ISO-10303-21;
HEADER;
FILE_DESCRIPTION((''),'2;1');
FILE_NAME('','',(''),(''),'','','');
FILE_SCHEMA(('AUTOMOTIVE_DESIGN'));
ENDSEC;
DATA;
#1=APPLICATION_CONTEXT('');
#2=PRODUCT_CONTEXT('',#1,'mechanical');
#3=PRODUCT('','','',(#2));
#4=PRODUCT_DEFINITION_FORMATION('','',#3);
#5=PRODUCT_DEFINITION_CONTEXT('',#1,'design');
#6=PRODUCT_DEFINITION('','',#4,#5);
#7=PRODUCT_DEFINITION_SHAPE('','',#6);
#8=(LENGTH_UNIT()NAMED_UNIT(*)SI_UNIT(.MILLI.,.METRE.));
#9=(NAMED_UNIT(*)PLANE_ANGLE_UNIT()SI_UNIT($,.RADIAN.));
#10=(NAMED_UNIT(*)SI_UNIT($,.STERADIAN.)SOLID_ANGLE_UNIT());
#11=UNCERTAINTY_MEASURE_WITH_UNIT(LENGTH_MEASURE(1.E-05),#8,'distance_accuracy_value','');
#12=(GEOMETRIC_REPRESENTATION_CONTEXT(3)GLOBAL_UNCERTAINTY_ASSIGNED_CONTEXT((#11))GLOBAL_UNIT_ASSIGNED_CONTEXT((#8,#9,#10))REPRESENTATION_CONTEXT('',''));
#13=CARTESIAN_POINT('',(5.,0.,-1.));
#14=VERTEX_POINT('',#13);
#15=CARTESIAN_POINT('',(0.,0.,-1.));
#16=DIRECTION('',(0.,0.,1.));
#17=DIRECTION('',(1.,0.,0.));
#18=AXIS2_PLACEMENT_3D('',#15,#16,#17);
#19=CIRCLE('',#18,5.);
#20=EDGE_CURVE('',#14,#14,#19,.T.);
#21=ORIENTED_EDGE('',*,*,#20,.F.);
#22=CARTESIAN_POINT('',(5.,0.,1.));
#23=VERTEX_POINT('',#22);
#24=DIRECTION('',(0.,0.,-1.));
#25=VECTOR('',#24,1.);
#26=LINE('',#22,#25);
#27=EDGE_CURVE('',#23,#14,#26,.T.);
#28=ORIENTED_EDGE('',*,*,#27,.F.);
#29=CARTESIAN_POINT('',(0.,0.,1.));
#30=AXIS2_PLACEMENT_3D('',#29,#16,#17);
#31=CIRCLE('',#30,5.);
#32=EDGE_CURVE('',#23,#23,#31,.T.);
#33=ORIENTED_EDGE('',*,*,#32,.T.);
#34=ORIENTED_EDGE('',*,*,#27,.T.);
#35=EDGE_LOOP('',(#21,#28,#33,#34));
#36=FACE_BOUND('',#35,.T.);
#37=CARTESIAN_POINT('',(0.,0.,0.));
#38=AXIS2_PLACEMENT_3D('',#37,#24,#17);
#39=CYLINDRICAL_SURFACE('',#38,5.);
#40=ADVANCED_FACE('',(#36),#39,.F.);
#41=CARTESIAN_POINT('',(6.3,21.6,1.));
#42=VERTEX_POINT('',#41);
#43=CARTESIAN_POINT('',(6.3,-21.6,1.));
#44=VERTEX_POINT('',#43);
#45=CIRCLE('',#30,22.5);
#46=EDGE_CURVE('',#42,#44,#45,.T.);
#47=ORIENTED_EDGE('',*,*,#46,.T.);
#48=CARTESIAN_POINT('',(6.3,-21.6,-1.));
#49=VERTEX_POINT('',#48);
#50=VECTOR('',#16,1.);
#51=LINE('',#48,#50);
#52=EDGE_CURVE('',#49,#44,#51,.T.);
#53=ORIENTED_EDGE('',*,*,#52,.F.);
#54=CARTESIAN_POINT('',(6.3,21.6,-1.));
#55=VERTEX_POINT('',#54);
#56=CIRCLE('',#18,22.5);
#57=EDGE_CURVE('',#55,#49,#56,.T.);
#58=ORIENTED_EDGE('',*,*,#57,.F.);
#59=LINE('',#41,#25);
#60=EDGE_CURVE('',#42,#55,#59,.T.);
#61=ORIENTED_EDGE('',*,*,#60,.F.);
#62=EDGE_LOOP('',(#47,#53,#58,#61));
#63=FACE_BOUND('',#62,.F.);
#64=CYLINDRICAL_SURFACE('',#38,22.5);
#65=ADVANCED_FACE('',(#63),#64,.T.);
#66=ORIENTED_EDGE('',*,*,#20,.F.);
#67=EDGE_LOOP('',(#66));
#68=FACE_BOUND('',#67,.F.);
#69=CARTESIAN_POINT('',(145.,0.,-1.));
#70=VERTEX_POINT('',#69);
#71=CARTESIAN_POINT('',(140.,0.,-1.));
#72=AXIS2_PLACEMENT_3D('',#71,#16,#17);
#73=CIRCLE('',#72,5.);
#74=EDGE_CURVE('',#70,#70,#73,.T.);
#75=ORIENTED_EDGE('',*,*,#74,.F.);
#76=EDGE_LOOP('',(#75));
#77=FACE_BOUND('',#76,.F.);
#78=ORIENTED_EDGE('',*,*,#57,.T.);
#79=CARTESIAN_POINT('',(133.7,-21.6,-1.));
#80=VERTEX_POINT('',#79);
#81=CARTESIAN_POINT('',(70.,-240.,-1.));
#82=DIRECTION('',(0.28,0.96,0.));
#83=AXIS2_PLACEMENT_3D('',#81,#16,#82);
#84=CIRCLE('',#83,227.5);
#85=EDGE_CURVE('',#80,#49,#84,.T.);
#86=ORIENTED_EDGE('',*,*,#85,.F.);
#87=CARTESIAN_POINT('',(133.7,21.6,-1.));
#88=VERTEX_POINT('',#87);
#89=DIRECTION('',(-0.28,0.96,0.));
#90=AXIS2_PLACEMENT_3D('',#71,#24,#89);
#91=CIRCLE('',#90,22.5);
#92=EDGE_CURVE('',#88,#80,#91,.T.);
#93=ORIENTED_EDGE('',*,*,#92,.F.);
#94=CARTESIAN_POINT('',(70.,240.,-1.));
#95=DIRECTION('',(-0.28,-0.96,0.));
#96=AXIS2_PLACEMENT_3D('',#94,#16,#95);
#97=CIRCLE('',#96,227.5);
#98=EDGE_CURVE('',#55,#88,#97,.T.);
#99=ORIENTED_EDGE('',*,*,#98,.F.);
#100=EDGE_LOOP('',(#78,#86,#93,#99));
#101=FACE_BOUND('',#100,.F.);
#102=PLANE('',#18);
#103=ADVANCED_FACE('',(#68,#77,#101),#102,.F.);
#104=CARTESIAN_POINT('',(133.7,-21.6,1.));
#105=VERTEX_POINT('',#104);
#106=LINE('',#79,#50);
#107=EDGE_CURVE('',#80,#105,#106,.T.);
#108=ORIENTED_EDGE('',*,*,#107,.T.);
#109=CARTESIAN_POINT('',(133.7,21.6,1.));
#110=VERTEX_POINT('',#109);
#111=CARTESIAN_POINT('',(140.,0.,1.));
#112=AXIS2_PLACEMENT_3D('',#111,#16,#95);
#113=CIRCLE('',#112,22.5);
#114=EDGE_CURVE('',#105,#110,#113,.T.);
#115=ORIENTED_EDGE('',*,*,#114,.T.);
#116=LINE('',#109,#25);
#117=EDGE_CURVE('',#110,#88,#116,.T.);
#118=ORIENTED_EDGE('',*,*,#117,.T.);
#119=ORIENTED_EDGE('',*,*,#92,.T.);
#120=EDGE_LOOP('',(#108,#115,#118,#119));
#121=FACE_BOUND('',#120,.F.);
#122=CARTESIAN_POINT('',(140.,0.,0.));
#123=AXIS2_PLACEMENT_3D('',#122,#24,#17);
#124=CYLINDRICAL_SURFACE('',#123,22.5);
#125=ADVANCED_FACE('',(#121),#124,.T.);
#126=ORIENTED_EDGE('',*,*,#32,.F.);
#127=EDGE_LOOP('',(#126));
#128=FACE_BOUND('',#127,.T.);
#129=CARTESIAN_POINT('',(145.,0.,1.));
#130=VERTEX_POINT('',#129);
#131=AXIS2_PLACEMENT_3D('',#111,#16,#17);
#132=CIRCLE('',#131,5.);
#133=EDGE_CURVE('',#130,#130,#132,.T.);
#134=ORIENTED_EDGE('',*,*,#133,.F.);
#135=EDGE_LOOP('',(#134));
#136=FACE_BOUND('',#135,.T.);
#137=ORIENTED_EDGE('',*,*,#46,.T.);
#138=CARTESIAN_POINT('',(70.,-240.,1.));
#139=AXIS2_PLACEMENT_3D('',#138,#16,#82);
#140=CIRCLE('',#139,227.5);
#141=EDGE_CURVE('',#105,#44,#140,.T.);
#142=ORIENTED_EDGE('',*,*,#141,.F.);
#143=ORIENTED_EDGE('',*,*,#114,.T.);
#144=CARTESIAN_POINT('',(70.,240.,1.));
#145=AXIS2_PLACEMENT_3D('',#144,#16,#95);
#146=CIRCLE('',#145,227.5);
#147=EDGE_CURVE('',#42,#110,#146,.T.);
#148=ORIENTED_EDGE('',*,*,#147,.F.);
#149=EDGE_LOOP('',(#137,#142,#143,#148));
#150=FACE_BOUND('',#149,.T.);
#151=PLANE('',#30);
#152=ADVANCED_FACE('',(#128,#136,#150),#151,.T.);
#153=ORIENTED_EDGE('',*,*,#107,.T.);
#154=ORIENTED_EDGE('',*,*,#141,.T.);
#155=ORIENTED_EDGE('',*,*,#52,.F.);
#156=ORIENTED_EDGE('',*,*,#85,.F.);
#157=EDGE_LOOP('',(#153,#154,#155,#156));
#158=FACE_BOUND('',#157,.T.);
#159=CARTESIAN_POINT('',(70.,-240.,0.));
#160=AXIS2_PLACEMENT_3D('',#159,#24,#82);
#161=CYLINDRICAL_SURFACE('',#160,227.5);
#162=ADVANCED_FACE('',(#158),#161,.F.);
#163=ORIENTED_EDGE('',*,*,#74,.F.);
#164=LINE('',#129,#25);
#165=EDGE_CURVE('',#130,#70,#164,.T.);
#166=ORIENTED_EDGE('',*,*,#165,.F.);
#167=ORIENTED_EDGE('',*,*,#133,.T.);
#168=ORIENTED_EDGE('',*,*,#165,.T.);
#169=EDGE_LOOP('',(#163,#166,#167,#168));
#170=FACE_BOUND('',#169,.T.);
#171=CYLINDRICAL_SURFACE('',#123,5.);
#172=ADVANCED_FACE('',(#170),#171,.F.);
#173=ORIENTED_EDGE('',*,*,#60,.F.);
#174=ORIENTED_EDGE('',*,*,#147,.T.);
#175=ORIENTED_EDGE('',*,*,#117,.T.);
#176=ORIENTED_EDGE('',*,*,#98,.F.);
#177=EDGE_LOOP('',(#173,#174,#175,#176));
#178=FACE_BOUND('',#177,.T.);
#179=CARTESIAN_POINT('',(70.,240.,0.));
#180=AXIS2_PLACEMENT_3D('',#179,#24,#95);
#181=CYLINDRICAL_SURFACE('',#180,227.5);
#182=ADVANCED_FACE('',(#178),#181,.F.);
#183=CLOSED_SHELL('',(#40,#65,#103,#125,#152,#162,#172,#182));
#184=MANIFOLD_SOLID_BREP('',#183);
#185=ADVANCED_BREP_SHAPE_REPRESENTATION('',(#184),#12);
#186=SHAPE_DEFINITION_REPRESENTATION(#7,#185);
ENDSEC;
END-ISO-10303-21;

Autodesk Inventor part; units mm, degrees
ref_plane "YZ Plane" through (0, 0, 0) normal (1, 0, 0) x (0, 1, 0)
ref_plane "XZ Plane" through (0, 0, 0) normal (0, 1, 0) x (-1, 0, 0)
ref_plane "XY Plane" through (0, 0, 0) normal (0, 0, 1) x (1, 0, 0)
sketch "Sketch1" plane through (0, 0, 0) normal (0, 0, 1) x (1, 0, 0)
  circle A0 centre (0, 0) radius 22.5
  circle A1 centre (140, 0) radius 22.5
  arc A2 (6.3, 21.6) -> (133.7, 21.6) centre (70, 240) ccw
  line L0 (162.5, 0) -> (-22.5, 0) construction
  arc A3 (133.7, -21.6) -> (6.3, -21.6) centre (70, -240) ccw
  circle A4 centre (0, 0) radius 5
  circle A5 centre (140, 0) radius 5
  point P0 (70, 12.5)
  point P1 (6.3, -21.6)
  point P2 (133.7, -21.6)
  dimension "d0" = 45
  dimension "d1" = 140
  dimension "d2" = 12.5
  dimension "d3" = 10
  dimension "d4" = 10
extrude "Extrusion1" add sketch "Sketch1" along normal mid plane 2
properties part number "stelscharnier bovenkant" material "Stainless Steel"
